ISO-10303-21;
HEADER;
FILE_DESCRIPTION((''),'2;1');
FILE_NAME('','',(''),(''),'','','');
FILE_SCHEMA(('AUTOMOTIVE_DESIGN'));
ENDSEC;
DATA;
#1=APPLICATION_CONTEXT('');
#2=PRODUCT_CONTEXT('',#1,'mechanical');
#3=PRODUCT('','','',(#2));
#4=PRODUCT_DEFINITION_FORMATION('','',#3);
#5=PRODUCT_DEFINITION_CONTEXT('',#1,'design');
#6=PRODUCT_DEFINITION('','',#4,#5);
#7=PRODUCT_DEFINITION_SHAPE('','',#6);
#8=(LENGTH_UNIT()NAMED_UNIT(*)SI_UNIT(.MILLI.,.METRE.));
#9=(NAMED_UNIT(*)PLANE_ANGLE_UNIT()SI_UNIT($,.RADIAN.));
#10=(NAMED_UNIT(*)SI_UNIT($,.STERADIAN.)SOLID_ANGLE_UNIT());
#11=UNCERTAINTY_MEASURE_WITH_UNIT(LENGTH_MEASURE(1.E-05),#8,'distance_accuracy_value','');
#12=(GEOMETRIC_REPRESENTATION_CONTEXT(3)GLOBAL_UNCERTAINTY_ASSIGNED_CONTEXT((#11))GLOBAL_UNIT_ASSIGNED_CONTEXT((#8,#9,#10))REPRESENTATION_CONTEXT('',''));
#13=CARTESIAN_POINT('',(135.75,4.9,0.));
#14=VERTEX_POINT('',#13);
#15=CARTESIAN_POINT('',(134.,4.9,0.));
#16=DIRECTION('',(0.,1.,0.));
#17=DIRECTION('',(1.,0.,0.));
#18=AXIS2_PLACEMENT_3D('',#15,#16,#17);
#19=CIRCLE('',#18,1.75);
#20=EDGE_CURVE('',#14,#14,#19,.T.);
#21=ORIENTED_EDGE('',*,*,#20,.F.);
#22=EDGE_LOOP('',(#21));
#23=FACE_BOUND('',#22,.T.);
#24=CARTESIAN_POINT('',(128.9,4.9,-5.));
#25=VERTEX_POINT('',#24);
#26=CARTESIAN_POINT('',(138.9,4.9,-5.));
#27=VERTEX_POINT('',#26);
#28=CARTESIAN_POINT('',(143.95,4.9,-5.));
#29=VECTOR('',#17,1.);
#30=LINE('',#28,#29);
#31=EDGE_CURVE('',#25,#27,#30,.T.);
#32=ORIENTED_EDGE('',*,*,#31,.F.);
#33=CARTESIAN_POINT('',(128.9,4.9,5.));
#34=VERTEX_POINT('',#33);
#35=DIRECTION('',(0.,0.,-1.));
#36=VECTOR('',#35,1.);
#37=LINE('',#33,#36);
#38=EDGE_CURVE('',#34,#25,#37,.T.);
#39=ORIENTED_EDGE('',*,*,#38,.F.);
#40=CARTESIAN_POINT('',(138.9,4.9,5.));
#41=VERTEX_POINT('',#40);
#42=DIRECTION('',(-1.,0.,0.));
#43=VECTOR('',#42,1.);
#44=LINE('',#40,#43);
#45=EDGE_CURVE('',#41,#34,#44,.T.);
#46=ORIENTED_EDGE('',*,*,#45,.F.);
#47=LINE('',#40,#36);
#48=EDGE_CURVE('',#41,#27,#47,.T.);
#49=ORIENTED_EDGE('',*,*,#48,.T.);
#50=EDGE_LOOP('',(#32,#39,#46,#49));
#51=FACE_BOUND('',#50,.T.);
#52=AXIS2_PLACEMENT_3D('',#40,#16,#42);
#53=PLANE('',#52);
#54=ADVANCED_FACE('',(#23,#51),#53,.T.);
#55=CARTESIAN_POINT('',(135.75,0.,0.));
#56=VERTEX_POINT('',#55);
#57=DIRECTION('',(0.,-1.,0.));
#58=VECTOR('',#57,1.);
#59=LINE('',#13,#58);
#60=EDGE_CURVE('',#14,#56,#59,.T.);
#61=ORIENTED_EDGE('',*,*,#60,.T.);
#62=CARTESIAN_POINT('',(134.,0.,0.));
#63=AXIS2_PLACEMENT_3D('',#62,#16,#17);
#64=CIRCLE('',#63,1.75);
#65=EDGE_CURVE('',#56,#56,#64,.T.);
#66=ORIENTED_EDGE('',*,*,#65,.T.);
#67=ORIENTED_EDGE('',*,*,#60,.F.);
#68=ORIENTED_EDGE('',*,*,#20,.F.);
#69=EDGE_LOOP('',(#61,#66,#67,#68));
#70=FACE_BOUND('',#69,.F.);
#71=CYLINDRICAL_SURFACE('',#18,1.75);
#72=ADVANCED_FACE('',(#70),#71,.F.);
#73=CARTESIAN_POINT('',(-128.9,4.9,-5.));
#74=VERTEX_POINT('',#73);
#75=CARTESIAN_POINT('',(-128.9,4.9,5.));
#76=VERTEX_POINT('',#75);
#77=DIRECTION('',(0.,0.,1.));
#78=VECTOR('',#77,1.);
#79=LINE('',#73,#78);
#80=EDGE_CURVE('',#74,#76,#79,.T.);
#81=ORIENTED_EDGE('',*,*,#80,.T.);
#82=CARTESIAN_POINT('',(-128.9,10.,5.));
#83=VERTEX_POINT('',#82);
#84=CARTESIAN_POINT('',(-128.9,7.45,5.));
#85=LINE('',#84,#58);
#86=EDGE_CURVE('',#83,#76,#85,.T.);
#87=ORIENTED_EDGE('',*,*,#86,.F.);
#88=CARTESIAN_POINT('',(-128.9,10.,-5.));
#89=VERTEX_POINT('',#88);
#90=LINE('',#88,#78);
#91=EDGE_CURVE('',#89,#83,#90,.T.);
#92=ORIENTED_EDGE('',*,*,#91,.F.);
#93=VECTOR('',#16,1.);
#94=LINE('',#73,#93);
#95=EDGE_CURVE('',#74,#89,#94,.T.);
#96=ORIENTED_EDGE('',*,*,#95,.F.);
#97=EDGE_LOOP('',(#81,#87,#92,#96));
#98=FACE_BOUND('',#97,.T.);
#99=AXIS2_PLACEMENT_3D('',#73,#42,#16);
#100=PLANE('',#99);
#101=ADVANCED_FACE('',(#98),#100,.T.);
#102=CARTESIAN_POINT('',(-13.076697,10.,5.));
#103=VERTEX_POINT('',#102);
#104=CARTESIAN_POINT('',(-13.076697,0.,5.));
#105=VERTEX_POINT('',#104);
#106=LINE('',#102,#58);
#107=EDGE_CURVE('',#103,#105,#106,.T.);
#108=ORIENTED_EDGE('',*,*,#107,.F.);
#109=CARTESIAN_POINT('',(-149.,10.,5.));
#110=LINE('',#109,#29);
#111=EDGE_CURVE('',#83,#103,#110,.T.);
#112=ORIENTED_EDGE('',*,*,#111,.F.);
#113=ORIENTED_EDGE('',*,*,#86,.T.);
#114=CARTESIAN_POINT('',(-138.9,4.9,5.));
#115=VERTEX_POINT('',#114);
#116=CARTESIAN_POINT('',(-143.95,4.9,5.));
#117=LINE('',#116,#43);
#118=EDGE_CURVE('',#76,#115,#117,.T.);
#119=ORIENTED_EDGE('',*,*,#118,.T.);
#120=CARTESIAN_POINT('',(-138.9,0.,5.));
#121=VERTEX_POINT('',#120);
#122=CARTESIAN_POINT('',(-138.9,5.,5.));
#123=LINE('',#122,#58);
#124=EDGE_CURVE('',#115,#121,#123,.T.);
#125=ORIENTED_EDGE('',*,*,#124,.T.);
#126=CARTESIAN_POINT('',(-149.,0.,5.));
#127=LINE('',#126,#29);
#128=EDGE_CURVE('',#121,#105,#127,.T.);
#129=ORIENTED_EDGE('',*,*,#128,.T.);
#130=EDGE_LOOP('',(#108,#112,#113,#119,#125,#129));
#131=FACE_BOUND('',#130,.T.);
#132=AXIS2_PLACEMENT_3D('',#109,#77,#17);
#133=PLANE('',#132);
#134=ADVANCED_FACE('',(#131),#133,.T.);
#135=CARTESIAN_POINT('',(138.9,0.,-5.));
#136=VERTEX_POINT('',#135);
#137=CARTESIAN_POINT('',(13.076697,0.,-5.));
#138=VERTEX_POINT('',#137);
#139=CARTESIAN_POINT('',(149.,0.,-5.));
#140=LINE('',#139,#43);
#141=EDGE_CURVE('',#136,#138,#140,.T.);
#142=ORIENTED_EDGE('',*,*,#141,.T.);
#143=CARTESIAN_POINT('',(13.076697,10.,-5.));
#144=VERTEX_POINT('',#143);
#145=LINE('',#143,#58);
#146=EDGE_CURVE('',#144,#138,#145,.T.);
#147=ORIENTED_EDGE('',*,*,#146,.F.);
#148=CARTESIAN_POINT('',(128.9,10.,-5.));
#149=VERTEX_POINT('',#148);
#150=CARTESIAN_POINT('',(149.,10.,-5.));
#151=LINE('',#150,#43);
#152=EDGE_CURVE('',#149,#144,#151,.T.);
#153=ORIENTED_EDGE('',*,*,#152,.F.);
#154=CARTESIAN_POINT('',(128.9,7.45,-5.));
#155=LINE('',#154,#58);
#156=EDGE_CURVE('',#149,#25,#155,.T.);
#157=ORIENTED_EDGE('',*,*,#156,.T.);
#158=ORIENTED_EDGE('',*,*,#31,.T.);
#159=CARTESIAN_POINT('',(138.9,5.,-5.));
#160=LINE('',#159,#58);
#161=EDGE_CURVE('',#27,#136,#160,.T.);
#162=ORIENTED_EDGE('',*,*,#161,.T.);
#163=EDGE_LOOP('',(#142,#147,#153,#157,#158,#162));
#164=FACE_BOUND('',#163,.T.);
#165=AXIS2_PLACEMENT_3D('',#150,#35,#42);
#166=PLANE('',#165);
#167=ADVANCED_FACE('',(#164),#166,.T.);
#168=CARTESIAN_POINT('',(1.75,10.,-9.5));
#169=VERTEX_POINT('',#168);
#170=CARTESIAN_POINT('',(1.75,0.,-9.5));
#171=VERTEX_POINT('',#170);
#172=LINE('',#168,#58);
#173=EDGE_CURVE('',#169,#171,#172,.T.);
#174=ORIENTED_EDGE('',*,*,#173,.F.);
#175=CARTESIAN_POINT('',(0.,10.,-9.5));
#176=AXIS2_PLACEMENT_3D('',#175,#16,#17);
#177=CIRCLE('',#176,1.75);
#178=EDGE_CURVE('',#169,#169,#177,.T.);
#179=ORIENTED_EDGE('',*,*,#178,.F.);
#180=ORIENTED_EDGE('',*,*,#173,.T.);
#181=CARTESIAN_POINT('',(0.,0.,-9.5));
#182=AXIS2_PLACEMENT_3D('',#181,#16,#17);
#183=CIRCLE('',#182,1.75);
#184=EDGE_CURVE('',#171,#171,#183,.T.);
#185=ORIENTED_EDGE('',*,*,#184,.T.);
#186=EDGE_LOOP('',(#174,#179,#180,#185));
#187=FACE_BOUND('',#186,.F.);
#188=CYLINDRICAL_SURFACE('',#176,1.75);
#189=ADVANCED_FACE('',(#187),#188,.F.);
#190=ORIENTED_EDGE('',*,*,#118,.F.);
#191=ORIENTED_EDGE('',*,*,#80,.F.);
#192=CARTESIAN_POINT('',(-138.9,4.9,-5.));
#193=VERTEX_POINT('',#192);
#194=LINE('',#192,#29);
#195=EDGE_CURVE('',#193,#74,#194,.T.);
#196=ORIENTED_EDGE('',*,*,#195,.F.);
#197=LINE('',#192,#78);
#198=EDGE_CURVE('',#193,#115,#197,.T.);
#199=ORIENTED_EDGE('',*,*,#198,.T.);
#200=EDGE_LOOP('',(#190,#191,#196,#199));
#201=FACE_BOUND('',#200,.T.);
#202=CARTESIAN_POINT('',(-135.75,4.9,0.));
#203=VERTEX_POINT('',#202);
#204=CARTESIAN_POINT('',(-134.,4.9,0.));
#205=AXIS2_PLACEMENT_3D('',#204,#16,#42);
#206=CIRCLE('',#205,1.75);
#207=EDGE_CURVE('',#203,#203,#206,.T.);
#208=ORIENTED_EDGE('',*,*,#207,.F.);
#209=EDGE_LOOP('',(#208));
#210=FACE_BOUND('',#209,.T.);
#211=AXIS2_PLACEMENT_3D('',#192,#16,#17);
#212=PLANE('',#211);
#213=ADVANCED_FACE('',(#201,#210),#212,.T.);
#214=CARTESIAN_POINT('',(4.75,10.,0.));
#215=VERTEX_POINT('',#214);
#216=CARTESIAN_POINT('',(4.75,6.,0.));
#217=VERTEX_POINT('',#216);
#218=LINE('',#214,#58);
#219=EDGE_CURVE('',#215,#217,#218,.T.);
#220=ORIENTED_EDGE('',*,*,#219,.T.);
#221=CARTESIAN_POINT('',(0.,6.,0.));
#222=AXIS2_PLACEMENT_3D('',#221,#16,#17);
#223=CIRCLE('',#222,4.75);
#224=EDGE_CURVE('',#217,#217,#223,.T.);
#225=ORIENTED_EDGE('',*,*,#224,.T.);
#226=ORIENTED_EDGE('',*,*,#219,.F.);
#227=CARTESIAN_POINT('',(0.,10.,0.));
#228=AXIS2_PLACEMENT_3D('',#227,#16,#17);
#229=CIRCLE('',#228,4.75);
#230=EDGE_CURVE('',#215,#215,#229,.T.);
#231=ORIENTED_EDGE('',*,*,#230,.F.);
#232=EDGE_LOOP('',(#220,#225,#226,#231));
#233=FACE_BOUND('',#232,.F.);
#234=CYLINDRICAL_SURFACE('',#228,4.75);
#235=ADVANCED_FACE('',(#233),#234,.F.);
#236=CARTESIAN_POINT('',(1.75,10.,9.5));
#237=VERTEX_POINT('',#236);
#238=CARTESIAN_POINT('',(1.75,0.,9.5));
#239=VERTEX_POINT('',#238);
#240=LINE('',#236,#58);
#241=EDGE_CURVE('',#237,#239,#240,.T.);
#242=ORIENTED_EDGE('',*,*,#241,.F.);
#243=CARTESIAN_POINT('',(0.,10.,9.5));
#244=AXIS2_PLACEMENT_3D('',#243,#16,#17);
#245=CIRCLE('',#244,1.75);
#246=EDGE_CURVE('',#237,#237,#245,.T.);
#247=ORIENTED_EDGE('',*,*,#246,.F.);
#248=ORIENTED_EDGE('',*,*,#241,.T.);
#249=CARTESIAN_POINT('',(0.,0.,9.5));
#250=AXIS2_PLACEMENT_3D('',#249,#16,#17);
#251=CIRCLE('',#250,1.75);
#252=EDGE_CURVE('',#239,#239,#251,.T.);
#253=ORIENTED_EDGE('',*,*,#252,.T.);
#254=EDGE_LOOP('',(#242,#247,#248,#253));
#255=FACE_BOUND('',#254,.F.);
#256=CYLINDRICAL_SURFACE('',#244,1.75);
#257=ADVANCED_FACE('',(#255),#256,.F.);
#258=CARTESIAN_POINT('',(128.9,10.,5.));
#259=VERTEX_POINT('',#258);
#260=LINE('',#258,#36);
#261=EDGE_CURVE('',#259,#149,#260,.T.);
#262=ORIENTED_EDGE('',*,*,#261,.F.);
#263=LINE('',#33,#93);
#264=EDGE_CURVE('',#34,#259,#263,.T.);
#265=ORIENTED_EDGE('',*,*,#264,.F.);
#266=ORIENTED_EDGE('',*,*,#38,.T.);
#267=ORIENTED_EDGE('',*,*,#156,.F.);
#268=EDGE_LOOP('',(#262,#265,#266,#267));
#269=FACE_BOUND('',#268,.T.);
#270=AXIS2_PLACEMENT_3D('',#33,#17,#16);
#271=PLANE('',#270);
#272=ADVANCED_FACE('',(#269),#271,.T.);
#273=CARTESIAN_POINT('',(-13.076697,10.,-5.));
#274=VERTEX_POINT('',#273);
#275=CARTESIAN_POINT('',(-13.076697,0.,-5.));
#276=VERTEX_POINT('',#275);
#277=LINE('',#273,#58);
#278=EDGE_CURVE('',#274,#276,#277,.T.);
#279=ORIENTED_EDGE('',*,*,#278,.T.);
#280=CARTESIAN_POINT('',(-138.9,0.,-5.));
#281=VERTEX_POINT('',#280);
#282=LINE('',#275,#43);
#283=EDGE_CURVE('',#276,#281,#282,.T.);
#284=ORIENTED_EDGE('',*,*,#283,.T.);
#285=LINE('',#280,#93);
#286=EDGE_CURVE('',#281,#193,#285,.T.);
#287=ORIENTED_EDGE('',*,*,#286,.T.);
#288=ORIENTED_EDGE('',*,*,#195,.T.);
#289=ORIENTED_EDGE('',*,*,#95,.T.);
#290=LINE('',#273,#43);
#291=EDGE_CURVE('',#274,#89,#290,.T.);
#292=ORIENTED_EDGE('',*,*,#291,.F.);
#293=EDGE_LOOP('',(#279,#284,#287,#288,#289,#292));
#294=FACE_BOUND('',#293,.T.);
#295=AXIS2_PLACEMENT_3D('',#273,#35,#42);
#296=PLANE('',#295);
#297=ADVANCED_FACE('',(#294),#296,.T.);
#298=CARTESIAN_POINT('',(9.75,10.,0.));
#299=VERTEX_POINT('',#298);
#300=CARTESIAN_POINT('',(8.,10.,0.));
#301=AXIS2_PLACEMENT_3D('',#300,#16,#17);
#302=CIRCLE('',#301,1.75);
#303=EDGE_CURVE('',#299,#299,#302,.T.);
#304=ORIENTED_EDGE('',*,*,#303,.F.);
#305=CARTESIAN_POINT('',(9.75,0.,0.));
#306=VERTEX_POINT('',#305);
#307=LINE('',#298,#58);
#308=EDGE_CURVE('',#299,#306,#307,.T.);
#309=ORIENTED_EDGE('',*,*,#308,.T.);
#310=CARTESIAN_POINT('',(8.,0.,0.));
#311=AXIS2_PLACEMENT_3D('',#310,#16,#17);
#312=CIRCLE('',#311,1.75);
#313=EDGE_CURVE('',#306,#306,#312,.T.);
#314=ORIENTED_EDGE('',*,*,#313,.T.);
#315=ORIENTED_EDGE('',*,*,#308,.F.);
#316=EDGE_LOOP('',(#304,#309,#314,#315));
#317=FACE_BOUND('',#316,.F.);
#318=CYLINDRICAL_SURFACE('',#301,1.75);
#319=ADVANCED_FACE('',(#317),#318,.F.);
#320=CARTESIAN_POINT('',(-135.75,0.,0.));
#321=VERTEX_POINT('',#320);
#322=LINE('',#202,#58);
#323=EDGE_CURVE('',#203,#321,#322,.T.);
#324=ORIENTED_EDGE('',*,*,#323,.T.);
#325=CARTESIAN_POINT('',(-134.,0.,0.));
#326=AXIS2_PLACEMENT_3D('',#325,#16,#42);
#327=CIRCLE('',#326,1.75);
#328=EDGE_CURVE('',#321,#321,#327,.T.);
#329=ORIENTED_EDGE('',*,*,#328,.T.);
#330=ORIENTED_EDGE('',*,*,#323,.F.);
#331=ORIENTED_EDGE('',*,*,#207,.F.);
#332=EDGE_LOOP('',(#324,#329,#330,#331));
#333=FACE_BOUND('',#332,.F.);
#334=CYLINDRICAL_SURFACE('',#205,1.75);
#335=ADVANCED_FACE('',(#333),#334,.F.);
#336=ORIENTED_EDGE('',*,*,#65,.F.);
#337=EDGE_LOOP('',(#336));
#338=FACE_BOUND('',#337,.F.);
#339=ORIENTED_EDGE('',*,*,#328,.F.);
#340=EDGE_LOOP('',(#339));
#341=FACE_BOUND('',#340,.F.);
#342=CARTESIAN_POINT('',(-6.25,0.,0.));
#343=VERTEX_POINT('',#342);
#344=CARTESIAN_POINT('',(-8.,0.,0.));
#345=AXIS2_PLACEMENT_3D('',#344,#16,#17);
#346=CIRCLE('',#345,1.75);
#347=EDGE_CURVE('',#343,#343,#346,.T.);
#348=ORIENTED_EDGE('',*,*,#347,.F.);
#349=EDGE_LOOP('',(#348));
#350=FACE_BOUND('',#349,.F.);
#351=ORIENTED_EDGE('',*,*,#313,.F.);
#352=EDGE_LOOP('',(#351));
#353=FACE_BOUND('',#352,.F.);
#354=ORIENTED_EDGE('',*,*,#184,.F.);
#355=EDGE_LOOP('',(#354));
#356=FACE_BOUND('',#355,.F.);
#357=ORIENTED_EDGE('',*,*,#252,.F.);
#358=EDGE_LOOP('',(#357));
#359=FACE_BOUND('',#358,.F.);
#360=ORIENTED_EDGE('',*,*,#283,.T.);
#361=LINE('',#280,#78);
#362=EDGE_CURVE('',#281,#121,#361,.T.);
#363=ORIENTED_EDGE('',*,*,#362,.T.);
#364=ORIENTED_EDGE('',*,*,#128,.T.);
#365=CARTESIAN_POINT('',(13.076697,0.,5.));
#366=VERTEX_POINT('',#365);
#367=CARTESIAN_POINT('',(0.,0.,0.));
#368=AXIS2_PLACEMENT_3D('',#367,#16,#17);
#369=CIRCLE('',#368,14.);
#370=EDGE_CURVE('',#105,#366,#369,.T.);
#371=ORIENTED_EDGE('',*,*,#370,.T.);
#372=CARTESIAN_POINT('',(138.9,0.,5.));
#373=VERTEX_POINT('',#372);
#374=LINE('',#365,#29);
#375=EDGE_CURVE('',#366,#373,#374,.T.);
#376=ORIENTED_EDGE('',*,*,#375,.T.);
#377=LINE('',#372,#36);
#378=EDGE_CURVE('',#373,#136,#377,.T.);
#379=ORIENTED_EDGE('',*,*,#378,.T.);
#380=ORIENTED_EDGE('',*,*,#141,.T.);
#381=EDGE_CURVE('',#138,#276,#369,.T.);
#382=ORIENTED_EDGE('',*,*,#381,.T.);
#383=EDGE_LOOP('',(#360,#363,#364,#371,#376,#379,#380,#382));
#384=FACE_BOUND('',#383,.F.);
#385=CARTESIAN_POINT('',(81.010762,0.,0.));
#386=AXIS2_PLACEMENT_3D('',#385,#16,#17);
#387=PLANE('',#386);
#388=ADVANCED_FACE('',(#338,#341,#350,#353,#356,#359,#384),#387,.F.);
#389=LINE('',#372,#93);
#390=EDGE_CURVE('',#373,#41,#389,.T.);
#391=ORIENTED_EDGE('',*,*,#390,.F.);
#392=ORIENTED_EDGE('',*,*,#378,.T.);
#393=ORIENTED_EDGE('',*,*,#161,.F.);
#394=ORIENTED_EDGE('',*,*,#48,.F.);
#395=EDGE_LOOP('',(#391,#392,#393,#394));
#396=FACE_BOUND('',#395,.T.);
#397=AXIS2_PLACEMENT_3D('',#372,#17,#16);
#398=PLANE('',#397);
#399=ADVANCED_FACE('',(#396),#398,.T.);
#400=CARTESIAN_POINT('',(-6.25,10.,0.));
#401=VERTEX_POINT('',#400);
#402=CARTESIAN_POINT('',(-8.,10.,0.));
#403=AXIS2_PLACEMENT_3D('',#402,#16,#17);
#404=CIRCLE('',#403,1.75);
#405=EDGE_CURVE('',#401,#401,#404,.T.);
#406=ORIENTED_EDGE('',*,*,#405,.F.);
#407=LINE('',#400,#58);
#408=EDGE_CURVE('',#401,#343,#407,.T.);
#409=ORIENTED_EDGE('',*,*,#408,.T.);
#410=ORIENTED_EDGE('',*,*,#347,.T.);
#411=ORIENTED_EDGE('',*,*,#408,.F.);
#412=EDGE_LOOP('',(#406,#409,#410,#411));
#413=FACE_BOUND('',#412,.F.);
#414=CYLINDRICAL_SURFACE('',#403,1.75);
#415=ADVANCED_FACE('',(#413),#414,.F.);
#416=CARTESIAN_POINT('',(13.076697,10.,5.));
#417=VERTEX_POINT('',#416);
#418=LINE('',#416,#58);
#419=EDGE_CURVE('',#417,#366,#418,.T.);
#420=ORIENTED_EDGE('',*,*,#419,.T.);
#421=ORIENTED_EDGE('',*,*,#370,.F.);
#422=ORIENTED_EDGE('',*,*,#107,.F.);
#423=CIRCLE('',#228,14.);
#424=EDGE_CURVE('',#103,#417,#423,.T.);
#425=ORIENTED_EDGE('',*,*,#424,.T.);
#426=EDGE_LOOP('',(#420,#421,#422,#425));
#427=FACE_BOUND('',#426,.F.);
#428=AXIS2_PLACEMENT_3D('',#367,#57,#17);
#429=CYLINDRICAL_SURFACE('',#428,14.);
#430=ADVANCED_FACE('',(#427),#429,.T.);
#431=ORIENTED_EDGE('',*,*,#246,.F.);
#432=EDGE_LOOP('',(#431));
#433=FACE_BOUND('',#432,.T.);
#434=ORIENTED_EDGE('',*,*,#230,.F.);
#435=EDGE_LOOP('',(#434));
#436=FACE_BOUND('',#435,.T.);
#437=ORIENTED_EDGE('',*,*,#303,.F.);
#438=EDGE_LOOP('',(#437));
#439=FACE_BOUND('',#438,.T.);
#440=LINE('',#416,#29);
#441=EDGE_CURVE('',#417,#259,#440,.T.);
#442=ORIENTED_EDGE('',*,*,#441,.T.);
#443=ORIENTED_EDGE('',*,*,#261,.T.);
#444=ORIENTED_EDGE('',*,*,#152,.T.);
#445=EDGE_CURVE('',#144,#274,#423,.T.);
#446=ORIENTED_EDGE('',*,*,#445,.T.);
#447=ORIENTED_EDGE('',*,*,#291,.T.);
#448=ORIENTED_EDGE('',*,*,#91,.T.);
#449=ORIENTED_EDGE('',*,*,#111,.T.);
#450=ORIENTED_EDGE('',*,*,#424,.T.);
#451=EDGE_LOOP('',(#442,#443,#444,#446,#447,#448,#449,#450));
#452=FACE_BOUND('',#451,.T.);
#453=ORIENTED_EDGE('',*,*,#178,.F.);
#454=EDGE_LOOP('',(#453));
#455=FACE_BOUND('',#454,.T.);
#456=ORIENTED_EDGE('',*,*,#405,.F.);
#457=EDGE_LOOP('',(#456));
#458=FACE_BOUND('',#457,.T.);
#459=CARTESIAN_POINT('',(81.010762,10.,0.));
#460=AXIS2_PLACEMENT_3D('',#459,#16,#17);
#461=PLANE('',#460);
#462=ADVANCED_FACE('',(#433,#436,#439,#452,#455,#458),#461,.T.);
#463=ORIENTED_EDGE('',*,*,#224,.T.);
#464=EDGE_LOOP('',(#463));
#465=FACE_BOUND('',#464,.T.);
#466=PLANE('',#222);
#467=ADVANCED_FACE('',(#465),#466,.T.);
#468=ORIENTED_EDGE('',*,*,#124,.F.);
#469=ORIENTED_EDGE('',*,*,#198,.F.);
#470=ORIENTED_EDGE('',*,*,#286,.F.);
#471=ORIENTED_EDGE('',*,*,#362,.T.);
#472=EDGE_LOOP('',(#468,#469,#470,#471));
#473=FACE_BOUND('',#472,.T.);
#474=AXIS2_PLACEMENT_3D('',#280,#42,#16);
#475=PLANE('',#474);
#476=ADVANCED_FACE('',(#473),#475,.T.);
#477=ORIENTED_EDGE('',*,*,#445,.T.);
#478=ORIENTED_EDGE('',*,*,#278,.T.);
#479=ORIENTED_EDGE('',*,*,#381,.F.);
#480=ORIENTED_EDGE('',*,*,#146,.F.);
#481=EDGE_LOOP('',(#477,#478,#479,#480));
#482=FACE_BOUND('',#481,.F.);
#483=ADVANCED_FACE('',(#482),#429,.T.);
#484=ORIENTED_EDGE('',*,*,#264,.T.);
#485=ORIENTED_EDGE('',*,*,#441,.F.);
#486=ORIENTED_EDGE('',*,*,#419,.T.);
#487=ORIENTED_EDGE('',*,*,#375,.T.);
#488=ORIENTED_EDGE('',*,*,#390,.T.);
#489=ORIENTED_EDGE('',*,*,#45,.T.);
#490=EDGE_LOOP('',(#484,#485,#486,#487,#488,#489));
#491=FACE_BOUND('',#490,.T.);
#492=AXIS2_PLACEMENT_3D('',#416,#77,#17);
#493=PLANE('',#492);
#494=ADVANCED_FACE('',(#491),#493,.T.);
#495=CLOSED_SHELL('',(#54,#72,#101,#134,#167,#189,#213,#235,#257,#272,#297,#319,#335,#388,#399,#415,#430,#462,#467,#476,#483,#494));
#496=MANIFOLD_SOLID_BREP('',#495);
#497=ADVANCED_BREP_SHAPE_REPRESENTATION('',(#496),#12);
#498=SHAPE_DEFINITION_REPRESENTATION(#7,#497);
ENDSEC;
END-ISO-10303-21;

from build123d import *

# Parameters (mm, degrees)
SKETCH1_R           = 14
BOSS_EXTRUDE1_DEPTH = 10
BOSS_EXTRUDE2_DEPTH = 10
CUT_EXTRUDE2_DEPTH  = 20
SKETCH6_R           = 1.75
CUT_EXTRUDE4_DEPTH  = 10
CIRPATTERN2_COUNT   = 2
CIRPATTERN2_ANGLE   = 180
SKETCH5_R           = 1.75
CUT_EXTRUDE3_DEPTH  = 11
SKETCH7_R           = 4.75
CUT_EXTRUDE5_DEPTH  = 4


with BuildPart() as part:
    # Sketch1 → Boss-Extrude1 (new body)
    with BuildSketch(Plane(origin=(0, 0, 0), x_dir=(1, 0, 0), z_dir=(0, 1, 0))):
        Circle(SKETCH1_R)
    extrude(amount=BOSS_EXTRUDE1_DEPTH)

    # Sketch2 → Boss-Extrude2 (add)
    with BuildSketch(Plane(origin=(0, 10, 0), x_dir=(1, 0, 0), z_dir=(0, 1, 0))):
        with BuildLine():
            Line((13.076696831, -5), (149, -5))
            Line((149, -5), (149, 5))
            Line((149, 5), (13.076696831, 5))
            ThreePointArc((13.076696831, 5), (14, 0), (13.076696831, -5))
        make_face()
    boss_extrude2 = extrude(amount=-BOSS_EXTRUDE2_DEPTH)

    # Sketch4 → Cut-Extrude2 (cut, through all)
    with BuildSketch(Plane.XY.offset(5)):
        Polygon((138.9, 0), (138.9, 4.9), (128.9, 4.9), (128.9, 10), (149, 10), (149, 0), align=None)
    cut_extrude2 = extrude(amount=-CUT_EXTRUDE2_DEPTH, mode=Mode.SUBTRACT)

    # Sketch6 → Cut-Extrude4 (cut)
    with BuildSketch(Plane(origin=(0, 4.9, 0), x_dir=(1, 0, 0), z_dir=(0, 1, 0))):
        with Locations((134, 0)):
            Circle(SKETCH6_R)
    cut_extrude4 = extrude(amount=-CUT_EXTRUDE4_DEPTH, mode=Mode.SUBTRACT)

    # CirPattern2: Boss-Extrude2, Cut-Extrude2, Cut-Extrude4 ×2 about axis
    cirpattern2_axis = Axis((0, 0, 0), (0, 1, 0))
    for i in range(1, CIRPATTERN2_COUNT):
        add(boss_extrude2.rotate(cirpattern2_axis, i * CIRPATTERN2_ANGLE / (CIRPATTERN2_COUNT - 1)))
        add(cut_extrude2.rotate(cirpattern2_axis, i * CIRPATTERN2_ANGLE / (CIRPATTERN2_COUNT - 1)), mode=Mode.SUBTRACT)
        add(cut_extrude4.rotate(cirpattern2_axis, i * CIRPATTERN2_ANGLE / (CIRPATTERN2_COUNT - 1)), mode=Mode.SUBTRACT)

    # Sketch5 → Cut-Extrude3 (cut, through all)
    with BuildSketch(Plane(origin=(0, 10, 0), x_dir=(1, 0, 0), z_dir=(0, 1, 0))):
        with Locations((0, 9.5)):
            Circle(SKETCH5_R)
        with Locations((8, 0)):
            Circle(SKETCH5_R)
        with Locations((-8, 0)):
            Circle(SKETCH5_R)
        with Locations((0, -9.5)):
            Circle(SKETCH5_R)
    extrude(amount=-CUT_EXTRUDE3_DEPTH, mode=Mode.SUBTRACT)

    # Sketch7 → Cut-Extrude5 (cut)
    with BuildSketch(Plane(origin=(0, 10, 0), x_dir=(1, 0, 0), z_dir=(0, 1, 0))):
        Circle(SKETCH7_R)
    extrude(amount=-CUT_EXTRUDE5_DEPTH, mode=Mode.SUBTRACT)


solid = part.part
